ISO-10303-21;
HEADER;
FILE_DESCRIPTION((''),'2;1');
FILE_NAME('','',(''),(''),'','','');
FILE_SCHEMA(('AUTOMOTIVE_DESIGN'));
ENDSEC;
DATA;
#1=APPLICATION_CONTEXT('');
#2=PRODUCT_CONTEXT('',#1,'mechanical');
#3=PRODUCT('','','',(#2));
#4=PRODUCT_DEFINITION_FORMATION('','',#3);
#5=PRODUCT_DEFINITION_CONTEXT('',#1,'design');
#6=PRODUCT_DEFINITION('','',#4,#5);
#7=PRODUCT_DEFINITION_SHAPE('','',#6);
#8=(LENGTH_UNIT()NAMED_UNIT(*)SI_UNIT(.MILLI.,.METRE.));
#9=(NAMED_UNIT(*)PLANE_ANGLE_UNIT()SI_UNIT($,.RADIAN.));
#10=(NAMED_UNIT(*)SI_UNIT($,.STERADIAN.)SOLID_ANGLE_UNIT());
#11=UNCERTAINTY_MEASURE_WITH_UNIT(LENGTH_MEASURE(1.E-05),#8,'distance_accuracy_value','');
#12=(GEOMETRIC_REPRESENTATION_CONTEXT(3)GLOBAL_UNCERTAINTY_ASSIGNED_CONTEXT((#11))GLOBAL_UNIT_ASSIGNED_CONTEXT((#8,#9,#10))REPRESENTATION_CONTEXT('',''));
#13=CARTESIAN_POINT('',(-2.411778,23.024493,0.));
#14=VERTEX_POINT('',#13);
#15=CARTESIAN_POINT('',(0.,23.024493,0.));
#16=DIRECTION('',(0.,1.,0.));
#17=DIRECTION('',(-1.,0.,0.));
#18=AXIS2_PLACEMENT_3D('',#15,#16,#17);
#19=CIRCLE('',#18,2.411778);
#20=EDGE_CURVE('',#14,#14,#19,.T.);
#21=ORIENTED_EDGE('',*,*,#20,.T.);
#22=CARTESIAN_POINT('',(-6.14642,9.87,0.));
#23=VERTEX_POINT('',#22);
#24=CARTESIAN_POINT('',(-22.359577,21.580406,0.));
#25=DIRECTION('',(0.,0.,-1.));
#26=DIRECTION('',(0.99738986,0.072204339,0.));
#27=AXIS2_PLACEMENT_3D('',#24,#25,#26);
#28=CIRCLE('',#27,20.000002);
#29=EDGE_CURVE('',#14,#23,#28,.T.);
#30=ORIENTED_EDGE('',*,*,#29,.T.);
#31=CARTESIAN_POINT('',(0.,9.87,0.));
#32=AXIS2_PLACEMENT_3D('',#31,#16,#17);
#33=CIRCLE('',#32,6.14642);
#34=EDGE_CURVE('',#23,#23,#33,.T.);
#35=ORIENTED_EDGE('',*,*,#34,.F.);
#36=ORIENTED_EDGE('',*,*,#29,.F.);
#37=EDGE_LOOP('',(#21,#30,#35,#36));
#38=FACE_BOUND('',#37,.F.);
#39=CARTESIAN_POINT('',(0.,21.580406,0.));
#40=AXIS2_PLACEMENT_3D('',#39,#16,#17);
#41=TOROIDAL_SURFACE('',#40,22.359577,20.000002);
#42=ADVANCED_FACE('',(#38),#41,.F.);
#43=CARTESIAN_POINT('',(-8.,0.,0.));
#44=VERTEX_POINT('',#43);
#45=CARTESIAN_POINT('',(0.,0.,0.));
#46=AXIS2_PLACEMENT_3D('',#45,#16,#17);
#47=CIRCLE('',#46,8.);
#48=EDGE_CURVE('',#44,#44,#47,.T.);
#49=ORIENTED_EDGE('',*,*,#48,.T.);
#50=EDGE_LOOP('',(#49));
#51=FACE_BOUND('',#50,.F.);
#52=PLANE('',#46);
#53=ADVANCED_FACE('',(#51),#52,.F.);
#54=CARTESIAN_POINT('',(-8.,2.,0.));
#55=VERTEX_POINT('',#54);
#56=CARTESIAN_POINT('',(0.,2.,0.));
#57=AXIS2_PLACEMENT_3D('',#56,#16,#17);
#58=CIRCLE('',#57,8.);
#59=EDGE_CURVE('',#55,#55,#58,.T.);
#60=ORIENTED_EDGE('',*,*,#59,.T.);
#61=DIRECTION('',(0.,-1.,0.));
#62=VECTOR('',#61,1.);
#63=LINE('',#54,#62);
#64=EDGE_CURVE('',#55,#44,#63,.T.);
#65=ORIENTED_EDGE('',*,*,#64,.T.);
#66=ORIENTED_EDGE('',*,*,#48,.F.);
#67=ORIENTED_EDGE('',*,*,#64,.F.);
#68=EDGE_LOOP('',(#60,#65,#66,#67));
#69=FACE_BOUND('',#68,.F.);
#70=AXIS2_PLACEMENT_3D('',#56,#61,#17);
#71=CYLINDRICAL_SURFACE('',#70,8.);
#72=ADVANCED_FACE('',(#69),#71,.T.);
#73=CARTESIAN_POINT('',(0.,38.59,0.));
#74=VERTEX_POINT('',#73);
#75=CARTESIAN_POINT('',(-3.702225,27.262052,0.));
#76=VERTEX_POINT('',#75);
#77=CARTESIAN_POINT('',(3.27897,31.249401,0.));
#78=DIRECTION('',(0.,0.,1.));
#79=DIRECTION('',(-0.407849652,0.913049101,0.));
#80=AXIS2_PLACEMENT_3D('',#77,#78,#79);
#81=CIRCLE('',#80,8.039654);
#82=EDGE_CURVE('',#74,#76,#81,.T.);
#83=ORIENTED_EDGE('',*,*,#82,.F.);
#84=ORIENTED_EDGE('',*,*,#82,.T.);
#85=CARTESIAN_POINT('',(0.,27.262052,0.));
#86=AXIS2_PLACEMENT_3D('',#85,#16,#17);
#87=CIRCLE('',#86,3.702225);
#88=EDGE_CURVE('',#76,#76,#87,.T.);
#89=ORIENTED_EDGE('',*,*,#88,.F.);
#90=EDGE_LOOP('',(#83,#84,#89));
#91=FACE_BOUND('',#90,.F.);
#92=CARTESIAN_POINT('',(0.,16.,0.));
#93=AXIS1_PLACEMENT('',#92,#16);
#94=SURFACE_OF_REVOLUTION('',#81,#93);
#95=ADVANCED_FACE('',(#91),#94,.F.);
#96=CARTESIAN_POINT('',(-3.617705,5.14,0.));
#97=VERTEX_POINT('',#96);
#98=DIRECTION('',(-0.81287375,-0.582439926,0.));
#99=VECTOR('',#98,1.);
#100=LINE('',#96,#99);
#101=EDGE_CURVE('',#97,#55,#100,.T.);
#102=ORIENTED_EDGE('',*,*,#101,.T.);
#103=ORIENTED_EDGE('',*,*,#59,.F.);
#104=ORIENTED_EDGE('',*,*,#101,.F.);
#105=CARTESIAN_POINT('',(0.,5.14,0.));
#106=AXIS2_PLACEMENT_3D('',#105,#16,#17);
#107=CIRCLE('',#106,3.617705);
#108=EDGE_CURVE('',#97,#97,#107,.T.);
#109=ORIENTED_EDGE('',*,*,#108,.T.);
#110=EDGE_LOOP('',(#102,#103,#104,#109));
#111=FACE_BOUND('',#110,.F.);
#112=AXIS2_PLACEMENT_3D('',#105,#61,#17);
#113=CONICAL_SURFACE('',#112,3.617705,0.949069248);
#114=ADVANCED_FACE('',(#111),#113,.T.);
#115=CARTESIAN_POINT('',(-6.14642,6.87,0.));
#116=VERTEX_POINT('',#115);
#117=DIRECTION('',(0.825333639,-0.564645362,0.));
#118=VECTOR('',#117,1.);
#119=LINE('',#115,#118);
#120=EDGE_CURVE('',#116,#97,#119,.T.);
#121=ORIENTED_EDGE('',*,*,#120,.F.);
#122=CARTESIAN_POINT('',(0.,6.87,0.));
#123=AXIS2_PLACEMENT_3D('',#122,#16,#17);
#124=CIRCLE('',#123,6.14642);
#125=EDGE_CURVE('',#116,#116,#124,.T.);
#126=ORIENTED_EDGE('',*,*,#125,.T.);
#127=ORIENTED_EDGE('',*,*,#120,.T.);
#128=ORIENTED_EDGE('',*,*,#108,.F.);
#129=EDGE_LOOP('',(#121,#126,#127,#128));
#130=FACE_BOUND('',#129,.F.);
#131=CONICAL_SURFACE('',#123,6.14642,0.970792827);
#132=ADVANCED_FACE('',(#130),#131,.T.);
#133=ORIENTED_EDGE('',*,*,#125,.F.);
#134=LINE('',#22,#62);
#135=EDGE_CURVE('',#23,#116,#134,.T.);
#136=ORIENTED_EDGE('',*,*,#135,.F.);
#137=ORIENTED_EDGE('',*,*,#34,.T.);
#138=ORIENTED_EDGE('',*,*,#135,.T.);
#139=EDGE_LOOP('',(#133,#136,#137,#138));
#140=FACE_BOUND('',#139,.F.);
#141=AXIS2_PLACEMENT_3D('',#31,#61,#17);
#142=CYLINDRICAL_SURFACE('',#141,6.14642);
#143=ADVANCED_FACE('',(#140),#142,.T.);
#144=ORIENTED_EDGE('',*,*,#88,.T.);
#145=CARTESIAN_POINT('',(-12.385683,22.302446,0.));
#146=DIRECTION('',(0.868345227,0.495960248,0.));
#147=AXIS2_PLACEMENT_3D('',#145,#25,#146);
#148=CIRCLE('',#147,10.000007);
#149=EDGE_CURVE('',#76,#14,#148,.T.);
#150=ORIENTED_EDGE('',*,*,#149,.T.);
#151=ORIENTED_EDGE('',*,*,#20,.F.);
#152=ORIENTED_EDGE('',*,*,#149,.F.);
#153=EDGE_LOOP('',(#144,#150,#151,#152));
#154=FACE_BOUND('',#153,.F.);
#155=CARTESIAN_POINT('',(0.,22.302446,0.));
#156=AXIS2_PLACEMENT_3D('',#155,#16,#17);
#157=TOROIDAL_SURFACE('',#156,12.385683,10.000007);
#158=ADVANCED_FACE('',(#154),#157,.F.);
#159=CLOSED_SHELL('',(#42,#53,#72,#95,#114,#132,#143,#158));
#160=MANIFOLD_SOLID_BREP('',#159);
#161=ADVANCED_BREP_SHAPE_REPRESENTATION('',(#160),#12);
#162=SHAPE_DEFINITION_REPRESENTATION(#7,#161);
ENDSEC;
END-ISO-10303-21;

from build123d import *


with BuildPart() as f1:
    # F0 (on Top) → F1 (revolve)
    with BuildSketch(Plane.XY):
        with BuildLine():
            Line((-8, 0), (0, 0))
            Line((0, 0), (0, 32))
            Line((0, 32), (0, 38.59))
            ThreePointArc((0, 38.59), (-4.362911, 33.746938), (-3.702225, 27.262052))
            ThreePointArc((-3.702225, 27.262052), (-2.819413, 25.215625), (-2.411778, 23.024493))
            ThreePointArc((-2.411778, 23.024493), (-3.119934, 16.118153), (-6.14642, 9.87))
            Line((-6.14642, 9.87), (-6.14642, 6.87))
            Line((-6.14642, 6.87), (-3.617705, 5.14))
            Line((-3.617705, 5.14), (-8, 2))
            Line((-8, 2), (-8, 0))
        make_face()
    revolve(axis=Axis((0, 16, 0), (0, 1, 0)))


solid = f1.part
